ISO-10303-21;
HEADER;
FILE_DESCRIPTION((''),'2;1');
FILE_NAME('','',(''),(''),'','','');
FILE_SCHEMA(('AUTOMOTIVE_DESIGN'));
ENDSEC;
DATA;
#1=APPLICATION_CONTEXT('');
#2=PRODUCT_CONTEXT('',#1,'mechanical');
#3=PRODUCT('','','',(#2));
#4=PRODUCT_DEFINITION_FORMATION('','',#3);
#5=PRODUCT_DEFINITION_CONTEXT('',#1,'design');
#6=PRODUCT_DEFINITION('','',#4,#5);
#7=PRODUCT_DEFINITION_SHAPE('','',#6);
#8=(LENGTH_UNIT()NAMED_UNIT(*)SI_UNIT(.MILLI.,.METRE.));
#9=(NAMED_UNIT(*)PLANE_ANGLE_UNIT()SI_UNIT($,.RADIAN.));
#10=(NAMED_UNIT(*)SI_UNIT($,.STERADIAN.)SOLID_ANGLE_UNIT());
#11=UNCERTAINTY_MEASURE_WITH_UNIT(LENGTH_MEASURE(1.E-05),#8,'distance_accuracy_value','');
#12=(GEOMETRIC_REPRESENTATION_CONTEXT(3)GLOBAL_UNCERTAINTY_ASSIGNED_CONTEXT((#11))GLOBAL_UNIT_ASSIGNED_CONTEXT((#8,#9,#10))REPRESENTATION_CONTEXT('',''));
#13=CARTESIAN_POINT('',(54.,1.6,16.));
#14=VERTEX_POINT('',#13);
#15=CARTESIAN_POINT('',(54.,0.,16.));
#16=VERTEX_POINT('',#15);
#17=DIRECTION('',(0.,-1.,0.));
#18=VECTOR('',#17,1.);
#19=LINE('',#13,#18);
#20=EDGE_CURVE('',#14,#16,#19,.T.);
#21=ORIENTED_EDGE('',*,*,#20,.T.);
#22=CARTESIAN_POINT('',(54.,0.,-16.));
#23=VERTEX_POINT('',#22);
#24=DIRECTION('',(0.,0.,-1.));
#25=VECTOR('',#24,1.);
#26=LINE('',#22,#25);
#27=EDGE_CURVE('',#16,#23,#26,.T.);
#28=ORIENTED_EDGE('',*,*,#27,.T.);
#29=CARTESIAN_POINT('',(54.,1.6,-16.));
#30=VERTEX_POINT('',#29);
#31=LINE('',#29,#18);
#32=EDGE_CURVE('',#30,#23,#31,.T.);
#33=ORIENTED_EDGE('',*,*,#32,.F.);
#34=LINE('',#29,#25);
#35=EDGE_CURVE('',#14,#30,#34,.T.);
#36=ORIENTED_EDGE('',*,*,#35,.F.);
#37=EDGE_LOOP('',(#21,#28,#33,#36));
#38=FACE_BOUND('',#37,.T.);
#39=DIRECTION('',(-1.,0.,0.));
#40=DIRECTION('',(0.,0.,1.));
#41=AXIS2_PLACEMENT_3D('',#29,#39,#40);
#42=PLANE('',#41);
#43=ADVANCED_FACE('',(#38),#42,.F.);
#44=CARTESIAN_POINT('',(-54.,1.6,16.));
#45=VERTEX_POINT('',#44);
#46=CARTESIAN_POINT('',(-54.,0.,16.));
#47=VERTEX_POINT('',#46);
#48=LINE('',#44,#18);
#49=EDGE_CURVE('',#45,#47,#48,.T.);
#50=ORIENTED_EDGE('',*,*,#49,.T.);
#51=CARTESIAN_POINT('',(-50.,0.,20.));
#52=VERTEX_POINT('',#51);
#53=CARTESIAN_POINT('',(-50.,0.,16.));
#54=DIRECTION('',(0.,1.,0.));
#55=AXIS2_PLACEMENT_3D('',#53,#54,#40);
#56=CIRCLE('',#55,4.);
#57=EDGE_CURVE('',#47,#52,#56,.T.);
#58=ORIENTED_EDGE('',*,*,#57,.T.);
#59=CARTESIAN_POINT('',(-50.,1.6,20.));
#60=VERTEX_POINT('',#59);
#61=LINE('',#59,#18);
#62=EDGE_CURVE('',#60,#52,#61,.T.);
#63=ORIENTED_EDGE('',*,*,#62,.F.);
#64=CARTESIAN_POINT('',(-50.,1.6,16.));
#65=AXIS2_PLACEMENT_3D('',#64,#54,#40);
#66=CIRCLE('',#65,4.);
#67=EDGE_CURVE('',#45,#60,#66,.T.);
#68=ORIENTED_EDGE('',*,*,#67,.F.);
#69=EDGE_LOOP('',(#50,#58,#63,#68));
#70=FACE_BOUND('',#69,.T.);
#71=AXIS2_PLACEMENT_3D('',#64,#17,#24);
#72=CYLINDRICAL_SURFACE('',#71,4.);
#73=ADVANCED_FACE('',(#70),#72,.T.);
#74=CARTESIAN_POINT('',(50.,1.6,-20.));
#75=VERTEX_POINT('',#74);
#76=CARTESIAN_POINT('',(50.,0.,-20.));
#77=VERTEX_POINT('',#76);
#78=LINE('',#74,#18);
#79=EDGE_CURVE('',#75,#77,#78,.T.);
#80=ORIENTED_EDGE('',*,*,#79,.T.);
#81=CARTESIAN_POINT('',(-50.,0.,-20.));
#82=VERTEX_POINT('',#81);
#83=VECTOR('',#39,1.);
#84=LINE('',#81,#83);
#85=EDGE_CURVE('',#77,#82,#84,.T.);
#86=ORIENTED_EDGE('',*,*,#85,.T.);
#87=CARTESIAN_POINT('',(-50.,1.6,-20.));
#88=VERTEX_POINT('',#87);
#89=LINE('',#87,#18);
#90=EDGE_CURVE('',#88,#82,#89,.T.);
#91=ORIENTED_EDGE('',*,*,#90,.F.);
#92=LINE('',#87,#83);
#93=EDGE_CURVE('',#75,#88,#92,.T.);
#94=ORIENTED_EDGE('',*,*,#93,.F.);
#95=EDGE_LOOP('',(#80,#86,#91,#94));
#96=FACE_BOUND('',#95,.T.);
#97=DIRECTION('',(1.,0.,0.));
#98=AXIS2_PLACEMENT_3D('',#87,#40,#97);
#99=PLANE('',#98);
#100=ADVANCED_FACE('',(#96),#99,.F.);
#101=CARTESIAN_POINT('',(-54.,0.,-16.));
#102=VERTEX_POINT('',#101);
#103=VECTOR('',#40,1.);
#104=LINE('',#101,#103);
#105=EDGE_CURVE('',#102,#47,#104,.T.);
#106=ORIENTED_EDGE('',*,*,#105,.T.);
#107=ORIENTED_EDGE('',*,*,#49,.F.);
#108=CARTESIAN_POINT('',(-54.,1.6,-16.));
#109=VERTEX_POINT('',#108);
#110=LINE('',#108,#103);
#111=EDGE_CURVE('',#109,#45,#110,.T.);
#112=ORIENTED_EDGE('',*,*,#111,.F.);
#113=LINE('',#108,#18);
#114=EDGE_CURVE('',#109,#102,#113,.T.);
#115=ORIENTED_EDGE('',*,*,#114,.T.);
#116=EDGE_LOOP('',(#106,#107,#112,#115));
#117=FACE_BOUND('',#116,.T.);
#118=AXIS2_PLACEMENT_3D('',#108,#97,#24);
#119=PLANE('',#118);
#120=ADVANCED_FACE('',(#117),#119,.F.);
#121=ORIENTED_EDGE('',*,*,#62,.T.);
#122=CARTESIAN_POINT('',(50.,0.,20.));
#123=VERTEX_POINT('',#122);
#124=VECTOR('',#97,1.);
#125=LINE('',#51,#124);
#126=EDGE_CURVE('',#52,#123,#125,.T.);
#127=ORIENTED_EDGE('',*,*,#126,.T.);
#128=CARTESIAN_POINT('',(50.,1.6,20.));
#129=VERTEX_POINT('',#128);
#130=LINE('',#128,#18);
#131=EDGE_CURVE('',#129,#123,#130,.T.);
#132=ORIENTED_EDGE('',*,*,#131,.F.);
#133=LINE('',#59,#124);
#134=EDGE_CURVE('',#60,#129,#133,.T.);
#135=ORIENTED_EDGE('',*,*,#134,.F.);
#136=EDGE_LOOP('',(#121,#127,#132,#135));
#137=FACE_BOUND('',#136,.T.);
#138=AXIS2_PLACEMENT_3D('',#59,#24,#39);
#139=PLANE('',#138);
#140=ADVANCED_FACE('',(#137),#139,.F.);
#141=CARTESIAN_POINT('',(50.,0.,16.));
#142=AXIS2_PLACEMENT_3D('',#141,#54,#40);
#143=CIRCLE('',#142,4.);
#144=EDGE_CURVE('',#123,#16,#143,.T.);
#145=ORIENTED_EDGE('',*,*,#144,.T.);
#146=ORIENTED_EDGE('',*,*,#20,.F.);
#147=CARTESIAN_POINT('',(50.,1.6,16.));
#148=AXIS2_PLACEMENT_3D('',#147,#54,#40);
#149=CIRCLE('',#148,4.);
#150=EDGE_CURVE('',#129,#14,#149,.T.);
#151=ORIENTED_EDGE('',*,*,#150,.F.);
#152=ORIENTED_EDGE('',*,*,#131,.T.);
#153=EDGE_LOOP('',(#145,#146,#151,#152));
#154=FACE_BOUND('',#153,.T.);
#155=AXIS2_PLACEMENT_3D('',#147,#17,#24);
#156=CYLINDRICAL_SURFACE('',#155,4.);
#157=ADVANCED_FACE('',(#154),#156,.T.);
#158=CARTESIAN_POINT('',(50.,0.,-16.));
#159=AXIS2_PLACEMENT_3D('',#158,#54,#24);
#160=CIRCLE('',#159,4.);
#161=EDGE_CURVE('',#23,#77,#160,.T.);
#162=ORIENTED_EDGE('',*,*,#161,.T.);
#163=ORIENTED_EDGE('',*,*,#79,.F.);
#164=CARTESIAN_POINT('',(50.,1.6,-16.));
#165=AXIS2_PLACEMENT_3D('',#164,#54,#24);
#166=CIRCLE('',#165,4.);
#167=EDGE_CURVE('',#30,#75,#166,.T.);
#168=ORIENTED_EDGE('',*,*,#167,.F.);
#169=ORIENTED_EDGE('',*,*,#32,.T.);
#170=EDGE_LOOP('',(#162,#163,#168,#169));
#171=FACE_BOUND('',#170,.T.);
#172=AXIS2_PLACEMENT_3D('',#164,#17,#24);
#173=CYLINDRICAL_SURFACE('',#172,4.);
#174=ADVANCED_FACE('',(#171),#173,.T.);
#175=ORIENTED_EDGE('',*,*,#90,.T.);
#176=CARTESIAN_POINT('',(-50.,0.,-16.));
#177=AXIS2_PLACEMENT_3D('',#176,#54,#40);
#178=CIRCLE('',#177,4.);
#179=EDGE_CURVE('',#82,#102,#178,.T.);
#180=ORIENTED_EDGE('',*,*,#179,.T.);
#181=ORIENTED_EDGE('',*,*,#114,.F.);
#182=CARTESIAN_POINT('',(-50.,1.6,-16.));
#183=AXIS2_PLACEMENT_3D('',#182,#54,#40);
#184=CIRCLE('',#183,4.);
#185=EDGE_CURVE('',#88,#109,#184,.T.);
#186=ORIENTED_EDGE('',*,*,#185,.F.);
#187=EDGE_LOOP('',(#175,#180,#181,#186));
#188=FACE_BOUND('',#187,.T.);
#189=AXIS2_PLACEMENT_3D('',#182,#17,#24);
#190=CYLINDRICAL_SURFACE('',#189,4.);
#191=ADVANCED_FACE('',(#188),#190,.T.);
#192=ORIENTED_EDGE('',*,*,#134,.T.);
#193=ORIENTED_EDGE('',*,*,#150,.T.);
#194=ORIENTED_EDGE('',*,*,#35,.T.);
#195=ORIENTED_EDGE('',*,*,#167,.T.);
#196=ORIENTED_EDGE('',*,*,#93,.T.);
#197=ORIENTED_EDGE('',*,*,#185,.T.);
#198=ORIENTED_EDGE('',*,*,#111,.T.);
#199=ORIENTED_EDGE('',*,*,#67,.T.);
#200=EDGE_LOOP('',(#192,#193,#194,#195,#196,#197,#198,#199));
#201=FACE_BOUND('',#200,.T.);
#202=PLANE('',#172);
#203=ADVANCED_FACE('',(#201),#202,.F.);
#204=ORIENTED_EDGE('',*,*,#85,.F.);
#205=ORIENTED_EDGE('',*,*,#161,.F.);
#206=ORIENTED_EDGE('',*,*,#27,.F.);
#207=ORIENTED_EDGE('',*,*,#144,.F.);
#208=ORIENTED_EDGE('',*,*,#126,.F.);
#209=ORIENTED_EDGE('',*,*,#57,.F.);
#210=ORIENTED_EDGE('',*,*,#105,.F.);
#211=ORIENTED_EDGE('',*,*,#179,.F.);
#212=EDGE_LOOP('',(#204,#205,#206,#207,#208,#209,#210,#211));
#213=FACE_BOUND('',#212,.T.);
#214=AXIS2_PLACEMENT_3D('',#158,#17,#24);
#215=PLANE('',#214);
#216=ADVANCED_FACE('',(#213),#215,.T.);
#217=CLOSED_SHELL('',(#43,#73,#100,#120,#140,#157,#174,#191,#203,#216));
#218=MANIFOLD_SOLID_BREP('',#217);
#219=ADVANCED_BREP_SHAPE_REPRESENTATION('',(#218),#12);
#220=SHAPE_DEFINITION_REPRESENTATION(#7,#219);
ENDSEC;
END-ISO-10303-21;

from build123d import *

# Parameters (mm, degrees)
AUFSATZ_LINEAR_AUSTRAGEN1_DEPTH = 1.6


with BuildPart() as part:
    # Skizze1 → Aufsatz-Linear austragen1 (new body)
    with BuildSketch(Plane(origin=(0, 0, 0), x_dir=(1, 0, 0), z_dir=(0, 1, 0))):
        with BuildLine():
            Line((-50, 20), (50, 20))
            ThreePointArc((50, 20), (52.828427125, 18.828427125), (54, 16))
            Line((54, 16), (54, -16))
            ThreePointArc((54, -16), (52.828427125, -18.828427125), (50, -20))
            Line((50, -20), (-50, -20))
            ThreePointArc((-50, -20), (-52.828427125, -18.828427125), (-54, -16))
            Line((-54, -16), (-54, 16))
            ThreePointArc((-54, 16), (-52.828427125, 18.828427125), (-50, 20))
        make_face()
    extrude(amount=AUFSATZ_LINEAR_AUSTRAGEN1_DEPTH)


solid = part.part
